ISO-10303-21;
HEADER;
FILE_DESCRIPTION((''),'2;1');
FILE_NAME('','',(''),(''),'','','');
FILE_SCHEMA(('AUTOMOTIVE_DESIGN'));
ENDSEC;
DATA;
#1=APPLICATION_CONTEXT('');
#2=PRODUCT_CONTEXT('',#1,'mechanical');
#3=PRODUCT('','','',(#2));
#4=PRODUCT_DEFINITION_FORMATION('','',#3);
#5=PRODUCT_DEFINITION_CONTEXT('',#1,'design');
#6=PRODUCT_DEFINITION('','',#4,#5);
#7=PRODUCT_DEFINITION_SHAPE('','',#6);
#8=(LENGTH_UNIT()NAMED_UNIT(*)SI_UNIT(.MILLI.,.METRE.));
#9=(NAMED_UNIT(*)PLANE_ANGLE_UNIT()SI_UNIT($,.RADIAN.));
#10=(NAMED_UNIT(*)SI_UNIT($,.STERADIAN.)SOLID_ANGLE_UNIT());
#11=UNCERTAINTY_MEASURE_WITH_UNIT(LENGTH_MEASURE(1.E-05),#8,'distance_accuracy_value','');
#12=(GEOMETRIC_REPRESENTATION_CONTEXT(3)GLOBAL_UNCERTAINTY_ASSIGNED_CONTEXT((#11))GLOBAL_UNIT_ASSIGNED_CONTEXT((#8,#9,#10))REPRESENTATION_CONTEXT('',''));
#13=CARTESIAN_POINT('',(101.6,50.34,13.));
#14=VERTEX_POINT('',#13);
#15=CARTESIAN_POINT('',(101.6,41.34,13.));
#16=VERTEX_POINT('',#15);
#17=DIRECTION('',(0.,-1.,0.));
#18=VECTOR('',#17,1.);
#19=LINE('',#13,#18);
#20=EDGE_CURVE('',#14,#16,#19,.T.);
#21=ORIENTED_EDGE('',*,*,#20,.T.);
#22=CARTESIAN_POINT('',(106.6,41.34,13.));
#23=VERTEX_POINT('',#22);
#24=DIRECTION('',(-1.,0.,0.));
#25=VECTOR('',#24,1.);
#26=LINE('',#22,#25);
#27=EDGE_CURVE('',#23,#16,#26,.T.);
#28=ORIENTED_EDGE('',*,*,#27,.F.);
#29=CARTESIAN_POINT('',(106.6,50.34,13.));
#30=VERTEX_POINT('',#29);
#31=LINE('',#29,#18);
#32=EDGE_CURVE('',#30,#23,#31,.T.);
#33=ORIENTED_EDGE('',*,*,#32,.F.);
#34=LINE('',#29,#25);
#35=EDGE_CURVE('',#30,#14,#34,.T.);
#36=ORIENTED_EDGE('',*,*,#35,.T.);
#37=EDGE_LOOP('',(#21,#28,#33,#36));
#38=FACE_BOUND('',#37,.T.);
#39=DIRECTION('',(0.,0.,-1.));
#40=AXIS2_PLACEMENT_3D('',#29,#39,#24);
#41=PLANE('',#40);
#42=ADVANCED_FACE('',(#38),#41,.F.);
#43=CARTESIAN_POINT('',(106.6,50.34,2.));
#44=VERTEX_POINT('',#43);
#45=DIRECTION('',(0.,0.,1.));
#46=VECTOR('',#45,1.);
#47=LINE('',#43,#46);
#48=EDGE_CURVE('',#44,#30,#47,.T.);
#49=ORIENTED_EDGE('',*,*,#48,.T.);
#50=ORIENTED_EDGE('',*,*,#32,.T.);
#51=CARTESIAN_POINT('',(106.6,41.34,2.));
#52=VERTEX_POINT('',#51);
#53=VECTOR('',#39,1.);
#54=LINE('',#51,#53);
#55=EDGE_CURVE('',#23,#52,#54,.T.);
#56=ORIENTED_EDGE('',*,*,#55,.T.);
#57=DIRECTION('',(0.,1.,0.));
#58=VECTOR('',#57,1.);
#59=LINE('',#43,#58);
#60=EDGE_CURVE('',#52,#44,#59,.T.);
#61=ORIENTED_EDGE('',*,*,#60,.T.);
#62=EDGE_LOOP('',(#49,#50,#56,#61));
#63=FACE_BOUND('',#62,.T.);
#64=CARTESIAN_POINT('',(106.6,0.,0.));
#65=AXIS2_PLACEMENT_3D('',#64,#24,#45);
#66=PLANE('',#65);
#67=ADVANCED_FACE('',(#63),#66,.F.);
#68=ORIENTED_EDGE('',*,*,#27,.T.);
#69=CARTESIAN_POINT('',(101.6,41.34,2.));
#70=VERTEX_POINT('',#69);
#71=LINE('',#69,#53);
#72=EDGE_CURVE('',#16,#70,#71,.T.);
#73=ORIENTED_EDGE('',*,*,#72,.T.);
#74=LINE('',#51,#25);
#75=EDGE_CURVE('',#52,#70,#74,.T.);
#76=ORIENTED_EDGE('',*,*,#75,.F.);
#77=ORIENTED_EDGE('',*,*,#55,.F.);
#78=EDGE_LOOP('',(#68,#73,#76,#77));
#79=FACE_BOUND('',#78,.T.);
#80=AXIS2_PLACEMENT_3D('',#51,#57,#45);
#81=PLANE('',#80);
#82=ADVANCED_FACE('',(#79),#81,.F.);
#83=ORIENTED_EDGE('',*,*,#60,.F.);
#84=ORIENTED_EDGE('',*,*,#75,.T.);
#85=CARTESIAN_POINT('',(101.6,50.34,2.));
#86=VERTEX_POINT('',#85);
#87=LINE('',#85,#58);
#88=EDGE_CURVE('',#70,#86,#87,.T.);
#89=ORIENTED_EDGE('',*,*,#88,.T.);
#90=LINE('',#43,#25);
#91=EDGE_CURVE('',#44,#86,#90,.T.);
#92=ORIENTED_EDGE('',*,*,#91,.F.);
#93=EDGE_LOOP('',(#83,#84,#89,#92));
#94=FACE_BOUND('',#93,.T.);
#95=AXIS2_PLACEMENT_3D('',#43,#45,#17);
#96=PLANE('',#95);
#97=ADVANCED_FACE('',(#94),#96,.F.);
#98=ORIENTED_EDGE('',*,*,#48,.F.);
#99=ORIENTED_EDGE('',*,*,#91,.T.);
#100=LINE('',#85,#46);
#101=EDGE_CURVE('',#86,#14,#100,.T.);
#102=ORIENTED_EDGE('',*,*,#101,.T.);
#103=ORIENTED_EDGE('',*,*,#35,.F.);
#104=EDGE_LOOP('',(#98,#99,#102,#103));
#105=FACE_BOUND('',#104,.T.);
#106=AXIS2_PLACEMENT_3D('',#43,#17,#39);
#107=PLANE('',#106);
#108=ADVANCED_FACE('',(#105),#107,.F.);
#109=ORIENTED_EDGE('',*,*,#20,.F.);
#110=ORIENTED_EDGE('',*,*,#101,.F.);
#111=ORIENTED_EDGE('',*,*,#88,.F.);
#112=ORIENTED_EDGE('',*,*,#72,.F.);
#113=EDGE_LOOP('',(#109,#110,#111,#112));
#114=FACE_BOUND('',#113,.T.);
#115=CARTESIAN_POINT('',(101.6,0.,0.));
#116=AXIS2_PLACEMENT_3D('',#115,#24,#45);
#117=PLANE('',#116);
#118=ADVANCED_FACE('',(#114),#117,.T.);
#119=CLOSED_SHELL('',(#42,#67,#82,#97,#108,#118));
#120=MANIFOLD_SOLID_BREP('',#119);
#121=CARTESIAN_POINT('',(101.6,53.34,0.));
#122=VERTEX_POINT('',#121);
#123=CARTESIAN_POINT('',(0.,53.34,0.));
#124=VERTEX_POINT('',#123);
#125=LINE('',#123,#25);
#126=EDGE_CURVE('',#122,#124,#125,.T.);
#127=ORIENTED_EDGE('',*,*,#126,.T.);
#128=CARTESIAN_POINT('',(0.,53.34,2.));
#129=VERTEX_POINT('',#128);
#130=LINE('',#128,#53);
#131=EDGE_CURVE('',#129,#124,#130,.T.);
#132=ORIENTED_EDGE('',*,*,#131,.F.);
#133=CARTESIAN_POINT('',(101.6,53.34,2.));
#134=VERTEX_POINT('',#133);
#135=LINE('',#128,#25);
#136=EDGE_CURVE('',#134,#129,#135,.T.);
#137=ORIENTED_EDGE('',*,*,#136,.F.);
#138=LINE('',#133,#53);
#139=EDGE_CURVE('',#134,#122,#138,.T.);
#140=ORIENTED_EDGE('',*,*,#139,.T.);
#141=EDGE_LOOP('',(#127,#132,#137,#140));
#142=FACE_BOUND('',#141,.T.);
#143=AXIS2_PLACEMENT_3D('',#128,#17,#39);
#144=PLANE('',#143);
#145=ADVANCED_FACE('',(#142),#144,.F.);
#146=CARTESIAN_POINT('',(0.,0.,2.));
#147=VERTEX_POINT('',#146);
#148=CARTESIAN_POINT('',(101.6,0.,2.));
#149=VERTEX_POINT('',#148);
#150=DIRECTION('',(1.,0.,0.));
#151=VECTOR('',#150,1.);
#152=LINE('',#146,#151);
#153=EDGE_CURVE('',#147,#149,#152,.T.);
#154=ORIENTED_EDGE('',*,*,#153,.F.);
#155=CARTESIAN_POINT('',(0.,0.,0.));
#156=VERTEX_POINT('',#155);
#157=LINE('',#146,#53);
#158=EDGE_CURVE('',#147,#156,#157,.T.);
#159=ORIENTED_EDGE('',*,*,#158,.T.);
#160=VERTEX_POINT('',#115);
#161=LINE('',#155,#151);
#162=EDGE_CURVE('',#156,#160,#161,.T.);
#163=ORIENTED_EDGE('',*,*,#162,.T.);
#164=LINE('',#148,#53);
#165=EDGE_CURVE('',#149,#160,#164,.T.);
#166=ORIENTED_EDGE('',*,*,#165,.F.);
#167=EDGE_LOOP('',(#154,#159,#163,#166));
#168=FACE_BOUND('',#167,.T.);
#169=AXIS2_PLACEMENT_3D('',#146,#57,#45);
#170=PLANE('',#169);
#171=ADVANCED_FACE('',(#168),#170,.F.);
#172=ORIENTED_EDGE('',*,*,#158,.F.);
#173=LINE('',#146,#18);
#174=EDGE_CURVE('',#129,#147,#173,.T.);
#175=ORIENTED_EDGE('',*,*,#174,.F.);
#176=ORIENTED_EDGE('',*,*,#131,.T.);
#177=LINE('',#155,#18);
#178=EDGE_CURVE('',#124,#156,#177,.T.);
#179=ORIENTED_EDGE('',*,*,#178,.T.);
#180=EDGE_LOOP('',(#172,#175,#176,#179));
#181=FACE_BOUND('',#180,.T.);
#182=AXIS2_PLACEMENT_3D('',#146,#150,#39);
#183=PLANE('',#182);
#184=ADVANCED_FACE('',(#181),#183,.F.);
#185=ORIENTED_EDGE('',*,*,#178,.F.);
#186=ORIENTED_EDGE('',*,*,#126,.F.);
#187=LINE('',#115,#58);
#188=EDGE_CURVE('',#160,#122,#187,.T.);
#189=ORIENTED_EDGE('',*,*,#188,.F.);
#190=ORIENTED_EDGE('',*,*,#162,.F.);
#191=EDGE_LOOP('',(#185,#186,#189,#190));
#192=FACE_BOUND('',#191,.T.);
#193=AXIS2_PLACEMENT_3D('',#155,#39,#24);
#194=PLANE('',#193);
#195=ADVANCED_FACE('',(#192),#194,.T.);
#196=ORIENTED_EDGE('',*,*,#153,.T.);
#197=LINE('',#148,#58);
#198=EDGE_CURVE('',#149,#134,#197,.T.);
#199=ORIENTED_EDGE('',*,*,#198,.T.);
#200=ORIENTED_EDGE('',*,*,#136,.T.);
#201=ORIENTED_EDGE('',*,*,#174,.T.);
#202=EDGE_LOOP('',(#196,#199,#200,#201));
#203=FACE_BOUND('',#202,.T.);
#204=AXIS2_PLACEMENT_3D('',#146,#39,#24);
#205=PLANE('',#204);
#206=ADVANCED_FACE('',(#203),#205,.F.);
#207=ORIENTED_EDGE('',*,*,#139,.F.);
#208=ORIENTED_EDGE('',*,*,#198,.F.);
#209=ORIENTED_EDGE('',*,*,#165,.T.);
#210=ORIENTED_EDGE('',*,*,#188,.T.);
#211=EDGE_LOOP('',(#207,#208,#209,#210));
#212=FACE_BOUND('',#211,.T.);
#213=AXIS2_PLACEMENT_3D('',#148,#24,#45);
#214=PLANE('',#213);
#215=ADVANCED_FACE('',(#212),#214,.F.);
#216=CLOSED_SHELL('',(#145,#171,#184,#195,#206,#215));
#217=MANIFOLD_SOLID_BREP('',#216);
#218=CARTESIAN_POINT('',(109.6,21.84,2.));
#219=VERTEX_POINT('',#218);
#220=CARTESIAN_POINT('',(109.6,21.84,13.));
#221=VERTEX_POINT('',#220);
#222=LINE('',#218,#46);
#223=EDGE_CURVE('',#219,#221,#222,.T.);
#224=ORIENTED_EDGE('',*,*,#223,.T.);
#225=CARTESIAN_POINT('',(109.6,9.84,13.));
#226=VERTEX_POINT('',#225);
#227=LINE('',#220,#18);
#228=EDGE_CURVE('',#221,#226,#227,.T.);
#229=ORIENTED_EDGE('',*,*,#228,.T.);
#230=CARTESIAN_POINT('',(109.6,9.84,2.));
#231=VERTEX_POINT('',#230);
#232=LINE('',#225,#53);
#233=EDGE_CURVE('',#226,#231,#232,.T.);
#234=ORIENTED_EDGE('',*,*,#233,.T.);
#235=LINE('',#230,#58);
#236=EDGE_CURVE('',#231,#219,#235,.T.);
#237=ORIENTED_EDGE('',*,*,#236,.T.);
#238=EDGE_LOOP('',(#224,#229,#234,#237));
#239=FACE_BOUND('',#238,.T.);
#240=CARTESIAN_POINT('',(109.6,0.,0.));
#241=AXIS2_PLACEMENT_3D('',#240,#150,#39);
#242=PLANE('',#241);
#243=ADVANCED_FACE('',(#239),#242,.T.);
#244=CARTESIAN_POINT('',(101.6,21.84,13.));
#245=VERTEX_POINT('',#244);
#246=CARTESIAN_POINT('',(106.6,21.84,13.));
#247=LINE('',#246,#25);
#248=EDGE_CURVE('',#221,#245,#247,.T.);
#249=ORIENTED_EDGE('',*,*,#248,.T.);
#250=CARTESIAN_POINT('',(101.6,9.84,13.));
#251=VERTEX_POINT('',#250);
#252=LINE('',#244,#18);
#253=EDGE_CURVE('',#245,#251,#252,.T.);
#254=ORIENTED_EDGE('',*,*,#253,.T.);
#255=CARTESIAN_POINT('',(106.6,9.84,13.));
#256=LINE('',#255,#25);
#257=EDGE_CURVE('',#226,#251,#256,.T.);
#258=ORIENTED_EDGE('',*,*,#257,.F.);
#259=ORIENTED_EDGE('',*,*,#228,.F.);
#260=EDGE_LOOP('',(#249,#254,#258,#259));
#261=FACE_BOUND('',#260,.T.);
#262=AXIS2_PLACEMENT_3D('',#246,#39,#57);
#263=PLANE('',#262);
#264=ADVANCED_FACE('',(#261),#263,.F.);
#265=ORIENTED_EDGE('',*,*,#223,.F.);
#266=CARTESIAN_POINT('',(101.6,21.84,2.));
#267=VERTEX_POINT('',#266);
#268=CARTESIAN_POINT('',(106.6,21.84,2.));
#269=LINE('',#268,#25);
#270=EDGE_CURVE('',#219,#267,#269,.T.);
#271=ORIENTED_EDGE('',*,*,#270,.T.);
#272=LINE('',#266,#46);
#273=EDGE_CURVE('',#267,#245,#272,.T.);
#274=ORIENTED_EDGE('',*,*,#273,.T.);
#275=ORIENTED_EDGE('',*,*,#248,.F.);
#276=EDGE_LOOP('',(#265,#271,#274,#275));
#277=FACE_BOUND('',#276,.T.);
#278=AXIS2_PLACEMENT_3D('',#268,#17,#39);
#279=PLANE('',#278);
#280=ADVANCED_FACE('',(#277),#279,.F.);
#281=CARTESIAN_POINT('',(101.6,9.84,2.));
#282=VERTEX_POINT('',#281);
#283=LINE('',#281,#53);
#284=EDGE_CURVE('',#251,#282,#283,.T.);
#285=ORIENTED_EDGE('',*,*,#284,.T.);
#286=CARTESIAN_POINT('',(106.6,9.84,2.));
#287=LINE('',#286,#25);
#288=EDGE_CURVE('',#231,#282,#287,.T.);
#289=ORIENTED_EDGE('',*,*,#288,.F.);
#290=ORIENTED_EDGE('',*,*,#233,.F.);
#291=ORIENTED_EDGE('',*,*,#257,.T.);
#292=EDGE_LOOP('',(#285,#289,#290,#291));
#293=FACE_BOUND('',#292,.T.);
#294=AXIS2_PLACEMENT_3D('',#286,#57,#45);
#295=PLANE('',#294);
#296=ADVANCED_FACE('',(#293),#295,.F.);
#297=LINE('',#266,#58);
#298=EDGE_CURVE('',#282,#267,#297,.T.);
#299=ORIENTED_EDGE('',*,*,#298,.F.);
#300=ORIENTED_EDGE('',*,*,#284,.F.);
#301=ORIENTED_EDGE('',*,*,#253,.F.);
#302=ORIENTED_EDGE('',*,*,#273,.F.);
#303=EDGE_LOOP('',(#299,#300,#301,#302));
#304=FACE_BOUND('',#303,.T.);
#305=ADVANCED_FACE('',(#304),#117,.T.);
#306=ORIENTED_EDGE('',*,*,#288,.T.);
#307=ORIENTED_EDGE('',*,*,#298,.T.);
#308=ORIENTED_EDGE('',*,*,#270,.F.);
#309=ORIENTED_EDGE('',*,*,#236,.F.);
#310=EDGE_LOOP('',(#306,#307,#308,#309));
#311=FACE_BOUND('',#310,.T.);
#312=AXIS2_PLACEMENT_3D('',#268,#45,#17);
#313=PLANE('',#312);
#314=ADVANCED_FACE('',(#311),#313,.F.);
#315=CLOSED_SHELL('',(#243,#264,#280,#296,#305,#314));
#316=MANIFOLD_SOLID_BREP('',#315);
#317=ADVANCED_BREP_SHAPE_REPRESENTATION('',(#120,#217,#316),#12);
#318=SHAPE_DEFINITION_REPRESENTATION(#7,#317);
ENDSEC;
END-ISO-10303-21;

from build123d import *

# Parameters (mm, degrees)
ESBO_O1_W                  = 101.6
ESBO_O1_H                  = 53.34
RESSALTO_EXTRUS_O1_DEPTH   = 2
ESBO_O2_W                  = 11
ESBO_O2_H                  = 9
RESSALTO_EXTRUS_O2_DEPTH   = 5
ESBO_O2_H_2                = 12
RESSALTO_EXTRUS_O2_2_DEPTH = 5
ESBO_O3_W                  = 11
ESBO_O3_H                  = 12
RESSALTO_EXTRUS_O3_DEPTH   = 3


with BuildPart() as part:
    # Esboço1 → Ressalto-extrusão1 (new body)
    with BuildSketch(Plane.XY):
        with Locations((50.8, 26.67)):
            Rectangle(ESBO_O1_W, ESBO_O1_H)
    extrude(amount=RESSALTO_EXTRUS_O1_DEPTH)


with BuildPart() as body_2:
    # Esboço2 → Ressalto-extrusão2 (new body)
    with BuildSketch(Plane(origin=(101.6, 0, 0), x_dir=(0, 0, -1), z_dir=(1, 0, 0))):
        with Locations((-7.5, 45.84)):
            Rectangle(ESBO_O2_W, ESBO_O2_H)
    extrude(amount=RESSALTO_EXTRUS_O2_DEPTH)


with BuildPart() as body_3:
    # Esboço2 → Ressalto-extrus_o2 2 (new body)
    with BuildSketch(Plane(origin=(101.6, 0, 0), x_dir=(0, 0, -1), z_dir=(1, 0, 0))):
        with Locations((-7.5, 15.84)):
            Rectangle(ESBO_O2_W, ESBO_O2_H_2)
    extrude(amount=RESSALTO_EXTRUS_O2_2_DEPTH)

    # Esboço3 → Ressalto-extrusão3 (add)
    with BuildSketch(Plane(origin=(106.6, 0, 0), x_dir=(0, 0, -1), z_dir=(1, 0, 0))):
        with Locations((-7.5, 15.84)):
            Rectangle(ESBO_O3_W, ESBO_O3_H)
    extrude(amount=RESSALTO_EXTRUS_O3_DEPTH)


solid = Compound([part.part, body_2.part, body_3.part])
